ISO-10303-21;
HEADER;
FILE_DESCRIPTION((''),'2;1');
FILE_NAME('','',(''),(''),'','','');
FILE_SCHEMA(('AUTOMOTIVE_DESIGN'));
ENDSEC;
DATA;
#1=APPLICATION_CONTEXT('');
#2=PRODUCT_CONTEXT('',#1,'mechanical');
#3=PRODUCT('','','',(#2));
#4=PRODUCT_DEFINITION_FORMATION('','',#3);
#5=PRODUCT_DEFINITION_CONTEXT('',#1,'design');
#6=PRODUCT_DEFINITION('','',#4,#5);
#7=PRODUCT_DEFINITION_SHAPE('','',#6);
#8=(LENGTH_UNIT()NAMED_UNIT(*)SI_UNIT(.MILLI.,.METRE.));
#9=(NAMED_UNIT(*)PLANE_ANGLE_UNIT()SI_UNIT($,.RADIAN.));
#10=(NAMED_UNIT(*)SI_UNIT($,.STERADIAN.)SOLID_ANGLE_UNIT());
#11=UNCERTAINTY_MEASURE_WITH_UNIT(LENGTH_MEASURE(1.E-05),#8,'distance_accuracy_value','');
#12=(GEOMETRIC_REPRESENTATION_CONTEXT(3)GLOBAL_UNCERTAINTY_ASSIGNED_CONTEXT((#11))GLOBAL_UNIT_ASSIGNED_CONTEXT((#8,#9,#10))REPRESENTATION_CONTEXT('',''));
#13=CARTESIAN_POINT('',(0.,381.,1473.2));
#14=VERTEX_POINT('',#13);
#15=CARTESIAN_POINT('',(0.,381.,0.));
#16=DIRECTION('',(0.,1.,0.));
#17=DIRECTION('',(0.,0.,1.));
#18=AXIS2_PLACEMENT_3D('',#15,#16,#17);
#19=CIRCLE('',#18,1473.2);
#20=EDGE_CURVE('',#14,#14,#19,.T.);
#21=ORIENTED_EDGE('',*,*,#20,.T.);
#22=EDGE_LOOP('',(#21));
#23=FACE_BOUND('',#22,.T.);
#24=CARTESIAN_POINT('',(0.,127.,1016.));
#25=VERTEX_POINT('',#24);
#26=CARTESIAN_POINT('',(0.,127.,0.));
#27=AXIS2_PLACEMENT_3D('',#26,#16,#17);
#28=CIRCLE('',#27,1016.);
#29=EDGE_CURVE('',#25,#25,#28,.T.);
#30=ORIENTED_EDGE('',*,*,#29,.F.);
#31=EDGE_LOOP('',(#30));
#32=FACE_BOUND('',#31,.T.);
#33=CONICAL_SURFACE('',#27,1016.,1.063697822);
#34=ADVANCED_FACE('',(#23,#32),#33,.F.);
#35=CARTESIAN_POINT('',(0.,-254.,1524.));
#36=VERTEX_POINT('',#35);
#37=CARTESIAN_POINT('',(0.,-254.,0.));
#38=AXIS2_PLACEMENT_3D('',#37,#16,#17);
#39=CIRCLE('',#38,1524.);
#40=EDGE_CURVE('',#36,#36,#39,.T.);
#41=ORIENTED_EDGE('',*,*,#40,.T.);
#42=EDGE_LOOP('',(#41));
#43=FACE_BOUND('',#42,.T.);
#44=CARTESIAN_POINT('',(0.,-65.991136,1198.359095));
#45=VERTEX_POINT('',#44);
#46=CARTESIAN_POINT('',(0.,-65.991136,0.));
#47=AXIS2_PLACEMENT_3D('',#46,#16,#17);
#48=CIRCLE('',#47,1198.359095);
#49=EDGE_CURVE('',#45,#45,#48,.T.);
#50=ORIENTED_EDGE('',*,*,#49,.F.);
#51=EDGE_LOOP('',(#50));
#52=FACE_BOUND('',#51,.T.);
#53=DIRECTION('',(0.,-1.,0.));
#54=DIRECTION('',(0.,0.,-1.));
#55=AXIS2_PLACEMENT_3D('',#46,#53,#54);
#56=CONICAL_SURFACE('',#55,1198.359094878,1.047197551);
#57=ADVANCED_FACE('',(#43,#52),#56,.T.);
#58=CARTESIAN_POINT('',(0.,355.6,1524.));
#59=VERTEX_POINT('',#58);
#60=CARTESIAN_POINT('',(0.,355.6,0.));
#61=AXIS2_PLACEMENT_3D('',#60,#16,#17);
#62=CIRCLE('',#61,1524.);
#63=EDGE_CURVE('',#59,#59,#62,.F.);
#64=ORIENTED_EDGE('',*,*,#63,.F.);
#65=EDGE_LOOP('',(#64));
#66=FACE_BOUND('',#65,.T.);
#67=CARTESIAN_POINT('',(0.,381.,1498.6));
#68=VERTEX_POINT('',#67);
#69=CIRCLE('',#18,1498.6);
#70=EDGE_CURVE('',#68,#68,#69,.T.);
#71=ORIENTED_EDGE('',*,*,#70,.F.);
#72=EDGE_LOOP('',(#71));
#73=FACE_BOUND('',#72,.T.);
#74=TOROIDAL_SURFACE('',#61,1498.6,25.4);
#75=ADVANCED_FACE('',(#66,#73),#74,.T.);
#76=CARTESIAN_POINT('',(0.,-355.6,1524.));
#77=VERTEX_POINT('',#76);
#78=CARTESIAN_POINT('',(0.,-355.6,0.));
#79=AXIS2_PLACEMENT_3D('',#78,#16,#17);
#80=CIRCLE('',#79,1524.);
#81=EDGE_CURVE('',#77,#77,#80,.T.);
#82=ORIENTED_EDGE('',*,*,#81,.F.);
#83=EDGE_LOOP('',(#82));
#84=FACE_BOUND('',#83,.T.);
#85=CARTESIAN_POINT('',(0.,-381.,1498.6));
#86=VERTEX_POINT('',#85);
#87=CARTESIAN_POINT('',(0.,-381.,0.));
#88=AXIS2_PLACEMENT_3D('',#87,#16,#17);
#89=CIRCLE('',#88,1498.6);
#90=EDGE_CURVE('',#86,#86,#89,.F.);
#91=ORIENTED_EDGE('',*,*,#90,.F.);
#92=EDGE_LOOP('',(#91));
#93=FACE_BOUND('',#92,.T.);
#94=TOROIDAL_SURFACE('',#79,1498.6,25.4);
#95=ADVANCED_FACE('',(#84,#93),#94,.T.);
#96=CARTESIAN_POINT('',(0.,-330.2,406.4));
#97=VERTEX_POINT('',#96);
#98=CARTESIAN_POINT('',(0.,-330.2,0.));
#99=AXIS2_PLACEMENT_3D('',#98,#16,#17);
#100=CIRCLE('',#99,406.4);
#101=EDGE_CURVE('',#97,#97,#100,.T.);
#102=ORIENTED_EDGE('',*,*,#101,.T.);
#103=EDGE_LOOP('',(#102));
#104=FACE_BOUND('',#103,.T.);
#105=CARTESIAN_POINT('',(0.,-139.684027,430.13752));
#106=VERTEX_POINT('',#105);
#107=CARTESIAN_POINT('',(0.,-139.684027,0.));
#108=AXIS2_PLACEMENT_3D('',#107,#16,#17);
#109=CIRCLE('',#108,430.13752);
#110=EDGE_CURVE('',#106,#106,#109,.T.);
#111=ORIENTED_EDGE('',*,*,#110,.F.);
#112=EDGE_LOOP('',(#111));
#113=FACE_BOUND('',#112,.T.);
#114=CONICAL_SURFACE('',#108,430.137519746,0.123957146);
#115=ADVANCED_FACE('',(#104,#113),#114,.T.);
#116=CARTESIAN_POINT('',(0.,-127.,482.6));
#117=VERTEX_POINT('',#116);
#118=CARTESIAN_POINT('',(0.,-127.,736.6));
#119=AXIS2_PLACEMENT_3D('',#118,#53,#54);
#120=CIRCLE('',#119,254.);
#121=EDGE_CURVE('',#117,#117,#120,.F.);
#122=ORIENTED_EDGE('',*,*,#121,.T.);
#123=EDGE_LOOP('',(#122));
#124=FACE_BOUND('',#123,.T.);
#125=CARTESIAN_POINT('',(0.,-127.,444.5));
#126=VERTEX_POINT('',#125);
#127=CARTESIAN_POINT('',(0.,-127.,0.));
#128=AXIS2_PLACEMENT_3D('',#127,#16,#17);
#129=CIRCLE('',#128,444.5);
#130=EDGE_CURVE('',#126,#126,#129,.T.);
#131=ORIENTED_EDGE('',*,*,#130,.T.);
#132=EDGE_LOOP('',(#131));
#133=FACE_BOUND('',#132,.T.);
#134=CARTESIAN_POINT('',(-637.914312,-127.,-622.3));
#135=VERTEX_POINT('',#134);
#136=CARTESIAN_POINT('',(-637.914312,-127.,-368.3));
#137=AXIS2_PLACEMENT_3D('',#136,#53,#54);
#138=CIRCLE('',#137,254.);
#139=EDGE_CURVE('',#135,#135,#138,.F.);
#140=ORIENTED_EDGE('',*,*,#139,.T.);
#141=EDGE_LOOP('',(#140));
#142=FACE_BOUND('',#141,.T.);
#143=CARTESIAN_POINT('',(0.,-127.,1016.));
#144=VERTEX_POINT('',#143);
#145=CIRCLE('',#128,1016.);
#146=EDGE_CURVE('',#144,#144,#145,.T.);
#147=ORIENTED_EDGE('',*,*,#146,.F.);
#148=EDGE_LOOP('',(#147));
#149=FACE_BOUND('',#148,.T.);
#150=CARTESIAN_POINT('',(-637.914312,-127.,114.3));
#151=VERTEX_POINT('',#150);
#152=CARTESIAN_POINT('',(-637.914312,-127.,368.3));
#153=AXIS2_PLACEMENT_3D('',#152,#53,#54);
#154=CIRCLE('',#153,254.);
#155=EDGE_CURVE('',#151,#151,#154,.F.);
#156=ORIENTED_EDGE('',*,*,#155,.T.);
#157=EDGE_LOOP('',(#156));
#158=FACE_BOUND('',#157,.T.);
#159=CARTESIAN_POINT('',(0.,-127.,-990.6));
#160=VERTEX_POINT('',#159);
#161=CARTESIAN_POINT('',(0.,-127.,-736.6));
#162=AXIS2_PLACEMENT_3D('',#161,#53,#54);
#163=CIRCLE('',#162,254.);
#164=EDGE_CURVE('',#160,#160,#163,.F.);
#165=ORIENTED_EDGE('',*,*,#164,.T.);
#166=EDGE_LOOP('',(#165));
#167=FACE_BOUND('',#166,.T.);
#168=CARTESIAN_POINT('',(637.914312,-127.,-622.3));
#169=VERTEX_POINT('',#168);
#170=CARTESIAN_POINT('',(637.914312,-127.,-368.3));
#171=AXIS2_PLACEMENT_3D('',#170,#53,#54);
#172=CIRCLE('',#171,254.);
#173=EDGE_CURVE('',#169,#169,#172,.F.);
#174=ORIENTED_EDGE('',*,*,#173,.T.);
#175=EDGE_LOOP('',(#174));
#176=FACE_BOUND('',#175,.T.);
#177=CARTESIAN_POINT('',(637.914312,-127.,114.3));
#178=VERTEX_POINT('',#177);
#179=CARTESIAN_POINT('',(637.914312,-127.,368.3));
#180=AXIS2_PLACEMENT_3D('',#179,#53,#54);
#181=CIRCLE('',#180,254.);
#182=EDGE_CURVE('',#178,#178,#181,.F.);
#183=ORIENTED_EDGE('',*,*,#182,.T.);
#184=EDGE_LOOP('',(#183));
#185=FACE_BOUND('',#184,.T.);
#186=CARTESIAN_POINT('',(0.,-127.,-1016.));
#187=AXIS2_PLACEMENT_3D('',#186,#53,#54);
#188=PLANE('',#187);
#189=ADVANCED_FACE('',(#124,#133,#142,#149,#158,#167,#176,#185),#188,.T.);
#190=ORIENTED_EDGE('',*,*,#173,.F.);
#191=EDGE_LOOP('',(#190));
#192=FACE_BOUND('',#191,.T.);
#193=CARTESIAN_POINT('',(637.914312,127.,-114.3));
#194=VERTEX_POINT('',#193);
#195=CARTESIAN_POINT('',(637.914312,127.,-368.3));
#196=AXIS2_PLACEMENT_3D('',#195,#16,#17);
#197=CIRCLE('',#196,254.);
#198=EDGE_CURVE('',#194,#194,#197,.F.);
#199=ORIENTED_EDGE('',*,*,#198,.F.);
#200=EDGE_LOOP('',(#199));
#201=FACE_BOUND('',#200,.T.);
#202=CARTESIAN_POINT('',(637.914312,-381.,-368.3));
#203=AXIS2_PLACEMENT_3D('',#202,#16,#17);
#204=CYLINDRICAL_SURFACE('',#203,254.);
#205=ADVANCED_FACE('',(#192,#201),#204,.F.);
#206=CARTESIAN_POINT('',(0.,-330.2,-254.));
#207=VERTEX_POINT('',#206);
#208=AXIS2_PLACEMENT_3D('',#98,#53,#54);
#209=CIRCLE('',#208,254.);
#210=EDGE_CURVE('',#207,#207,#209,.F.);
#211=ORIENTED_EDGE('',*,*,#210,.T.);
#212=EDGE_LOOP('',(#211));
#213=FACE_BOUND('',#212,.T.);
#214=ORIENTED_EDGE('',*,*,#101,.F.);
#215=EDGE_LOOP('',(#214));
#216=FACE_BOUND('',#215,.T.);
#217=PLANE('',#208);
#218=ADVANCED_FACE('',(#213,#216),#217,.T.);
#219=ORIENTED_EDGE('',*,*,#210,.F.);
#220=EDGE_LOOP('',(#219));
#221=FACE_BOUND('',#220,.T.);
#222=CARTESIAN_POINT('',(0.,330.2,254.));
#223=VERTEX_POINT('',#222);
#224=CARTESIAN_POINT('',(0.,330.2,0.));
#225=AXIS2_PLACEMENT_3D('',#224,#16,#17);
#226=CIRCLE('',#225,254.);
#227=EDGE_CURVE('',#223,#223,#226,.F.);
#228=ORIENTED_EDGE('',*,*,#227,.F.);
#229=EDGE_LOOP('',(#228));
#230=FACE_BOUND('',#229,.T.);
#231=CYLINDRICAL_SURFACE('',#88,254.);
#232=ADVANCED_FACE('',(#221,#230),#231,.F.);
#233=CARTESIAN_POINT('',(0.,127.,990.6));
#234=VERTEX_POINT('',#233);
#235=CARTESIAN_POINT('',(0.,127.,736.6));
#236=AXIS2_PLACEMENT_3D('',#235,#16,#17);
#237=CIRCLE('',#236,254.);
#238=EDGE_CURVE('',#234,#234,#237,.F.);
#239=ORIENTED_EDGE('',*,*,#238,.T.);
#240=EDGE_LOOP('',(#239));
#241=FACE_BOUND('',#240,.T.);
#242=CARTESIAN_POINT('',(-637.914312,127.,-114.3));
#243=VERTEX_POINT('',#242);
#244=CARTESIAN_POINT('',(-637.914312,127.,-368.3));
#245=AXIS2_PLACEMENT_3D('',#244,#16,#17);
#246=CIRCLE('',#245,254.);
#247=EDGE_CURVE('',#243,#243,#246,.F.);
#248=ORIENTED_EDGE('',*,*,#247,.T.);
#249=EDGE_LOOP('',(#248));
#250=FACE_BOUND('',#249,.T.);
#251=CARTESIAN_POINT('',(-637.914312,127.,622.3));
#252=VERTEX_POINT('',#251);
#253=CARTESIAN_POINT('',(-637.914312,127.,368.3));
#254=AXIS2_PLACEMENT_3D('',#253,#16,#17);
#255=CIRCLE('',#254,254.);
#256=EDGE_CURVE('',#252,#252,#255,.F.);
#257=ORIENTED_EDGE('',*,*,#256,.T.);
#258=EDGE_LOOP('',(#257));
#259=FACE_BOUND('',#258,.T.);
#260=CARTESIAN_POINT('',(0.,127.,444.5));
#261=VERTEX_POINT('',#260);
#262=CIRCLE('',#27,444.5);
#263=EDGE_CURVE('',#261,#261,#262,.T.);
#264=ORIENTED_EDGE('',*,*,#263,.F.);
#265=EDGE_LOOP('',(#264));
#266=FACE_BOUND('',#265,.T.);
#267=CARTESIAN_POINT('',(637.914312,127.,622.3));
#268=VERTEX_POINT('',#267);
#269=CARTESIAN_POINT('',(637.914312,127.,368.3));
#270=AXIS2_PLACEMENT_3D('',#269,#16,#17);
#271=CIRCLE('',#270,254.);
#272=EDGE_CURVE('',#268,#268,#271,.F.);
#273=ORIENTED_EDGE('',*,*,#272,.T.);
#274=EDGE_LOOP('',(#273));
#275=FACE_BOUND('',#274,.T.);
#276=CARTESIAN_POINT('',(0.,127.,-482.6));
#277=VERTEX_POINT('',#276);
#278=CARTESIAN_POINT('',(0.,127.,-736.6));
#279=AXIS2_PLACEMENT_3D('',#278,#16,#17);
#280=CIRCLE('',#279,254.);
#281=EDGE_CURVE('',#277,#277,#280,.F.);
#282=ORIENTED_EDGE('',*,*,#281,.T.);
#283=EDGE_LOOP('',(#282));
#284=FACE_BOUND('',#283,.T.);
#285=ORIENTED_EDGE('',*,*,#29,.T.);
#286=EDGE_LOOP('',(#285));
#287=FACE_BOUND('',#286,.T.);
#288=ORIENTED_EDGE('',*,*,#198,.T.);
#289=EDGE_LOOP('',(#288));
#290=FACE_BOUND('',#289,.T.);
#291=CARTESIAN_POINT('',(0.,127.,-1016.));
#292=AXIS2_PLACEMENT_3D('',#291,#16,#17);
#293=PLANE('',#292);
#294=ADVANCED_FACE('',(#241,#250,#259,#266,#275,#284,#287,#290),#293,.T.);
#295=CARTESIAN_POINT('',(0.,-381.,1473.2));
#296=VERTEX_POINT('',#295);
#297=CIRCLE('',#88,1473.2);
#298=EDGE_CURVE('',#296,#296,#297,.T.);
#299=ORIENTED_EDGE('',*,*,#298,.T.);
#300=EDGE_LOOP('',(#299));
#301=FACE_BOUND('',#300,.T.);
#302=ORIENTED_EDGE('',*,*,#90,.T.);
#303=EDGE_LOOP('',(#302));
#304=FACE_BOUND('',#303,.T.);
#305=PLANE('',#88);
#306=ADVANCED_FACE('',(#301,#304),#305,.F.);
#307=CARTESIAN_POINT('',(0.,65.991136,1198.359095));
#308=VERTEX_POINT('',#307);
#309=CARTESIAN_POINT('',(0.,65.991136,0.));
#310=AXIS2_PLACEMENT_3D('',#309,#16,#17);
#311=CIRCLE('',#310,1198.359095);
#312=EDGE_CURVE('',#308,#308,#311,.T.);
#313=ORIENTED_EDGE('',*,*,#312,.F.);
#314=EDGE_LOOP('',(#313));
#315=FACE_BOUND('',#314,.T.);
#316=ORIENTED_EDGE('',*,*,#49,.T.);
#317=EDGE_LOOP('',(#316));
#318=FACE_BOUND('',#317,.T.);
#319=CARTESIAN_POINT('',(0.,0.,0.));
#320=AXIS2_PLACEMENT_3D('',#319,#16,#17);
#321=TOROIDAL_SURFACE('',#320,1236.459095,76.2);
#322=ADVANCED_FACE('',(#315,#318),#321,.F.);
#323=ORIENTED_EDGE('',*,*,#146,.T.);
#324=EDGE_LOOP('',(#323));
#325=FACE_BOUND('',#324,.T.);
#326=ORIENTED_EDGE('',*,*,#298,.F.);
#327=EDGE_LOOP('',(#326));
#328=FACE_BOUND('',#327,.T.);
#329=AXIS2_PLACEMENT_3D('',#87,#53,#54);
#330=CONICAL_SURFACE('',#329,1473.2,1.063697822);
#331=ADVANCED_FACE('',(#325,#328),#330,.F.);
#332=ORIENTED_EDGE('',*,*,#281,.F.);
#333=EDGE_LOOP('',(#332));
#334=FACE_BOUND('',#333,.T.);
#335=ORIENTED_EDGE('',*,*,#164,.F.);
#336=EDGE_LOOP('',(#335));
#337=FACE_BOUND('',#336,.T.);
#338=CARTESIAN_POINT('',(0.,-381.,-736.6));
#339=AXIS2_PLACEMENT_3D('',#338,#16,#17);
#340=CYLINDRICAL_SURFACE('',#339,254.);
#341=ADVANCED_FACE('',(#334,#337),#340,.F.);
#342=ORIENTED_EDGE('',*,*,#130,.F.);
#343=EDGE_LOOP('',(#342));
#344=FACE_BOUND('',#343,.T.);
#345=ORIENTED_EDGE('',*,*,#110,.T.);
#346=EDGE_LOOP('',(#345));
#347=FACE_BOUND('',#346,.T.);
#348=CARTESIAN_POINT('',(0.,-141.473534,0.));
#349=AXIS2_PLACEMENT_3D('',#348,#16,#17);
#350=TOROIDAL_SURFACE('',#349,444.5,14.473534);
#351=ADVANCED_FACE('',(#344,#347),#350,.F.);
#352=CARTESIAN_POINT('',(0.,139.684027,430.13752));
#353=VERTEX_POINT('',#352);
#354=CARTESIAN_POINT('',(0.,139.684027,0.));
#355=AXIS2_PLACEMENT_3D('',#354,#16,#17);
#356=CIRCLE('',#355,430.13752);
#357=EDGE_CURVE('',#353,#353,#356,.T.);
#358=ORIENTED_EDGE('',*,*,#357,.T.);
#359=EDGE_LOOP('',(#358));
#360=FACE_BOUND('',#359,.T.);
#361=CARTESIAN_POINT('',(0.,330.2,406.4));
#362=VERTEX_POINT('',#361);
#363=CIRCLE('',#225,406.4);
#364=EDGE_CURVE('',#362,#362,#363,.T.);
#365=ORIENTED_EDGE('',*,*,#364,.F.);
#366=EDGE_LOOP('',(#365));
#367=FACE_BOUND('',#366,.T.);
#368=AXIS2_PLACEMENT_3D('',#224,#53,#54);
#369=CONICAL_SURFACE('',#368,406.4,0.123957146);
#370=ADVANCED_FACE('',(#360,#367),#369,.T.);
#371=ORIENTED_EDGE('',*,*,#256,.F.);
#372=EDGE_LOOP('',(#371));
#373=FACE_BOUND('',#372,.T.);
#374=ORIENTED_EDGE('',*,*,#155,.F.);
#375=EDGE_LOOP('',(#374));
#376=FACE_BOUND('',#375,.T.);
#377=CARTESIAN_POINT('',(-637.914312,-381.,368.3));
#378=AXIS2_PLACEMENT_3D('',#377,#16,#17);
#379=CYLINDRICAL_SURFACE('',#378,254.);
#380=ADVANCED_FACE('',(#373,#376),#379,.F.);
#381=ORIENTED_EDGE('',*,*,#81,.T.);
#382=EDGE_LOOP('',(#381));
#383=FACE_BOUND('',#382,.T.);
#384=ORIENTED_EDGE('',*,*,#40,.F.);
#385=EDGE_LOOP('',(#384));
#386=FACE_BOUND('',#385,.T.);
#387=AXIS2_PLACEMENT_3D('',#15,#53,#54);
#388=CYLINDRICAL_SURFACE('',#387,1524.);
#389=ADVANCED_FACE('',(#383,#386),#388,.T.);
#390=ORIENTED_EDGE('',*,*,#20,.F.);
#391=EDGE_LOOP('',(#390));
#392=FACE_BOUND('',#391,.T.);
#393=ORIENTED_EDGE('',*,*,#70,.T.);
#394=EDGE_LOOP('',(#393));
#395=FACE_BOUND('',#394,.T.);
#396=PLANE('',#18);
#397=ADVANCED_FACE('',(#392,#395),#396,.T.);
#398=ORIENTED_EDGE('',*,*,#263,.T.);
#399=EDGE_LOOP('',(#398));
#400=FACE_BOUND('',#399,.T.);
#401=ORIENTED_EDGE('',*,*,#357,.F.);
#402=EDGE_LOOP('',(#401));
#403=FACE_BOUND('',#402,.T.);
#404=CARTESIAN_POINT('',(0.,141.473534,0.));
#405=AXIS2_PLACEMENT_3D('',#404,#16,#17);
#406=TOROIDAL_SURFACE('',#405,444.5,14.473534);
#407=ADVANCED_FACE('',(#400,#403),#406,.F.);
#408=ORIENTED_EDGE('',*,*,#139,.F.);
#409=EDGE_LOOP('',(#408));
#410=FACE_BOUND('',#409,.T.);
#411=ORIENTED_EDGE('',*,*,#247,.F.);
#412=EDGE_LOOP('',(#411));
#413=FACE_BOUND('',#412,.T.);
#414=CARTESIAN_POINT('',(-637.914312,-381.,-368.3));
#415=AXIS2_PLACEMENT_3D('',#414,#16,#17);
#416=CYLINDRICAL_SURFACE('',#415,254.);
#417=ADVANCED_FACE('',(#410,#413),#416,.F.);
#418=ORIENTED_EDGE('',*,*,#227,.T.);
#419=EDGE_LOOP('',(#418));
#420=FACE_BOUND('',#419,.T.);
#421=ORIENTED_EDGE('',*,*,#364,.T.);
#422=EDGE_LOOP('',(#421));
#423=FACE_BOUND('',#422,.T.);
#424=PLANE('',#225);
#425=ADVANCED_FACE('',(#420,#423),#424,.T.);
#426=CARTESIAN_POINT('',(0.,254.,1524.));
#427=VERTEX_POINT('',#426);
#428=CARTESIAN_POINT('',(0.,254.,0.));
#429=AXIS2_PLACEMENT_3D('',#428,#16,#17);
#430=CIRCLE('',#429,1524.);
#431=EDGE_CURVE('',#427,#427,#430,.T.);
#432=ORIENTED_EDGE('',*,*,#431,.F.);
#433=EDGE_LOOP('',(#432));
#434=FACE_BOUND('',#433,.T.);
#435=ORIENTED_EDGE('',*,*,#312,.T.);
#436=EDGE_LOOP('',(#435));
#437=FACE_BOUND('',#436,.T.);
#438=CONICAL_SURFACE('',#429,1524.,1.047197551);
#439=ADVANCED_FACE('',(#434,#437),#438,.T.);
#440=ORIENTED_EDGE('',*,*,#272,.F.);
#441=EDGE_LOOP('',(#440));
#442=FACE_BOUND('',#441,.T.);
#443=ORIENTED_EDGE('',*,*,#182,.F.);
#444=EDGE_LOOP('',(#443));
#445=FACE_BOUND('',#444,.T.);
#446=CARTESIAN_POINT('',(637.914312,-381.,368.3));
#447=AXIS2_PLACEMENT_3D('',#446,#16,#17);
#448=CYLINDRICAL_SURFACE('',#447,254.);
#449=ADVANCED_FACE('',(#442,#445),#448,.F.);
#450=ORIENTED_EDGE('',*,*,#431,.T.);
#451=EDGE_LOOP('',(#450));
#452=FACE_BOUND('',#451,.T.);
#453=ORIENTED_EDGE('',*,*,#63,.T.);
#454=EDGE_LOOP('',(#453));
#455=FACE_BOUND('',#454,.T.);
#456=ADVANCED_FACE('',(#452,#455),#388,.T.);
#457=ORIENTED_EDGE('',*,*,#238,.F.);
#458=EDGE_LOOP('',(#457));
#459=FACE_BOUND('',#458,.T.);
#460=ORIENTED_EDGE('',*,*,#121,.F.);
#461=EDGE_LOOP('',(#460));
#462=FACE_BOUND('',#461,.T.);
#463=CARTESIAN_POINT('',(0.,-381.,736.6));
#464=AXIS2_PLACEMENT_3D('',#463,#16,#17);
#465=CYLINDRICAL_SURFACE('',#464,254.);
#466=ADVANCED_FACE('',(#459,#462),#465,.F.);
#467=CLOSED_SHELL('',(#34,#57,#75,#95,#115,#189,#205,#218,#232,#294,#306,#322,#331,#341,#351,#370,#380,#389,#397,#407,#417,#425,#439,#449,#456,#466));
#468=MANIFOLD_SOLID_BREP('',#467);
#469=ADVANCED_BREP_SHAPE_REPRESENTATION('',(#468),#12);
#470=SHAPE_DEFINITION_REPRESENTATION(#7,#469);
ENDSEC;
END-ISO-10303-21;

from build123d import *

# Parameters (mm, degrees)
SKETCH1_R           = 1524
BOSS_EXTRUDE1_DEPTH = 381
SKETCH3_R           = 254
CUT_EXTRUDE1_DEPTH  = 763
SKETCH4_R           = 254
CUT_EXTRUDE2_DEPTH  = 763
CIRPATTERN1_COUNT   = 6
FILLET3_R           = 25.4


with BuildPart() as part:
    # Sketch1 → Boss-Extrude1 (new body, symmetric)
    with BuildSketch(Plane(origin=(0, 0, 0), x_dir=(1, 0, 0), z_dir=(0, 1, 0))):
        Circle(SKETCH1_R)
    extrude(amount=BOSS_EXTRUDE1_DEPTH, both=True)

    # Sketch2 → Cut-Revolve1 (revolve, cut)
    with BuildSketch(Plane(origin=(0, 0, 0), x_dir=(0, 0, -1), z_dir=(1, 0, 0))):
        with BuildLine():
            Line((1524, -254), (1524, 254))
            Line((1524, 254), (1198.359094878, 65.991135768))
            ThreePointArc((1198.359094878, 65.991135768), (1160.259094878, 0), (1198.359094878, -65.991135768))
            Line((1198.359094878, -65.991135768), (1524, -254))
        make_face()
    revolve(axis=Axis((0, 381, 0), (0, -1, 0)), mode=Mode.SUBTRACT)

    # Sketch3 → Cut-Extrude1 (cut, through all)
    with BuildSketch(Plane(origin=(0, 381, 0), x_dir=(1, 0, 0), z_dir=(0, 1, 0))):
        Circle(SKETCH3_R)
    extrude(amount=-CUT_EXTRUDE1_DEPTH, mode=Mode.SUBTRACT)

    # Sketch4 → Cut-Extrude2 (cut, through all)
    with BuildSketch(Plane(origin=(0, 381, 0), x_dir=(1, 0, 0), z_dir=(0, 1, 0))):
        with Locations((0, 736.6)):
            Circle(SKETCH4_R)
    cut_extrude2 = extrude(amount=-CUT_EXTRUDE2_DEPTH, mode=Mode.SUBTRACT)

    # CirPattern1: Cut-Extrude2 ×6 about axis
    cirpattern1_axis = Axis((0, 0, 0), (0, 1, 0))
    for i in range(1, CIRPATTERN1_COUNT):
        add(cut_extrude2.rotate(cirpattern1_axis, i * 360 / CIRPATTERN1_COUNT), mode=Mode.SUBTRACT)

    # Sketch7 → Cut-Revolve3 (revolve, cut)
    with BuildSketch(Plane(origin=(0, 0, 0), x_dir=(0, 0, -1), z_dir=(1, 0, 0))):
        with BuildLine():
            Line((406.4, 330.2), (430.137519746, 139.684026625))
            ThreePointArc((430.137519746, 139.684026625), (434.919220146, 130.62494696), (444.5, 127))
            Line((444.5, 127), (1016, 127))
            Line((1016, 127), (1473.2, 381))
            Line((1473.2, 381), (0, 381))
            Line((0, 381), (0, 330.2))
            Line((0, 330.2), (406.4, 330.2))
        make_face()
        with BuildLine():
            Line((0, -330.2), (0, -381))
            Line((0, -381), (1473.2, -381))
            Line((1473.2, -381), (1016, -127))
            Line((1016, -127), (444.5, -127))
            ThreePointArc((444.5, -127), (434.919220146, -130.62494696), (430.137519746, -139.684026625))
            Line((430.137519746, -139.684026625), (406.4, -330.2))
            Line((406.4, -330.2), (0, -330.2))
        make_face()
    revolve(axis=Axis((0, 254, 0), (0, 1, 0)), mode=Mode.SUBTRACT)

    # Fillet3
    fillet3_edges = [part.edges().sort_by_distance(p)[0] for p in [
        (-1524, -381, 0),
        (-1524, 381, 0),
    ]]
    fillet(fillet3_edges, radius=FILLET3_R)


solid = part.part
